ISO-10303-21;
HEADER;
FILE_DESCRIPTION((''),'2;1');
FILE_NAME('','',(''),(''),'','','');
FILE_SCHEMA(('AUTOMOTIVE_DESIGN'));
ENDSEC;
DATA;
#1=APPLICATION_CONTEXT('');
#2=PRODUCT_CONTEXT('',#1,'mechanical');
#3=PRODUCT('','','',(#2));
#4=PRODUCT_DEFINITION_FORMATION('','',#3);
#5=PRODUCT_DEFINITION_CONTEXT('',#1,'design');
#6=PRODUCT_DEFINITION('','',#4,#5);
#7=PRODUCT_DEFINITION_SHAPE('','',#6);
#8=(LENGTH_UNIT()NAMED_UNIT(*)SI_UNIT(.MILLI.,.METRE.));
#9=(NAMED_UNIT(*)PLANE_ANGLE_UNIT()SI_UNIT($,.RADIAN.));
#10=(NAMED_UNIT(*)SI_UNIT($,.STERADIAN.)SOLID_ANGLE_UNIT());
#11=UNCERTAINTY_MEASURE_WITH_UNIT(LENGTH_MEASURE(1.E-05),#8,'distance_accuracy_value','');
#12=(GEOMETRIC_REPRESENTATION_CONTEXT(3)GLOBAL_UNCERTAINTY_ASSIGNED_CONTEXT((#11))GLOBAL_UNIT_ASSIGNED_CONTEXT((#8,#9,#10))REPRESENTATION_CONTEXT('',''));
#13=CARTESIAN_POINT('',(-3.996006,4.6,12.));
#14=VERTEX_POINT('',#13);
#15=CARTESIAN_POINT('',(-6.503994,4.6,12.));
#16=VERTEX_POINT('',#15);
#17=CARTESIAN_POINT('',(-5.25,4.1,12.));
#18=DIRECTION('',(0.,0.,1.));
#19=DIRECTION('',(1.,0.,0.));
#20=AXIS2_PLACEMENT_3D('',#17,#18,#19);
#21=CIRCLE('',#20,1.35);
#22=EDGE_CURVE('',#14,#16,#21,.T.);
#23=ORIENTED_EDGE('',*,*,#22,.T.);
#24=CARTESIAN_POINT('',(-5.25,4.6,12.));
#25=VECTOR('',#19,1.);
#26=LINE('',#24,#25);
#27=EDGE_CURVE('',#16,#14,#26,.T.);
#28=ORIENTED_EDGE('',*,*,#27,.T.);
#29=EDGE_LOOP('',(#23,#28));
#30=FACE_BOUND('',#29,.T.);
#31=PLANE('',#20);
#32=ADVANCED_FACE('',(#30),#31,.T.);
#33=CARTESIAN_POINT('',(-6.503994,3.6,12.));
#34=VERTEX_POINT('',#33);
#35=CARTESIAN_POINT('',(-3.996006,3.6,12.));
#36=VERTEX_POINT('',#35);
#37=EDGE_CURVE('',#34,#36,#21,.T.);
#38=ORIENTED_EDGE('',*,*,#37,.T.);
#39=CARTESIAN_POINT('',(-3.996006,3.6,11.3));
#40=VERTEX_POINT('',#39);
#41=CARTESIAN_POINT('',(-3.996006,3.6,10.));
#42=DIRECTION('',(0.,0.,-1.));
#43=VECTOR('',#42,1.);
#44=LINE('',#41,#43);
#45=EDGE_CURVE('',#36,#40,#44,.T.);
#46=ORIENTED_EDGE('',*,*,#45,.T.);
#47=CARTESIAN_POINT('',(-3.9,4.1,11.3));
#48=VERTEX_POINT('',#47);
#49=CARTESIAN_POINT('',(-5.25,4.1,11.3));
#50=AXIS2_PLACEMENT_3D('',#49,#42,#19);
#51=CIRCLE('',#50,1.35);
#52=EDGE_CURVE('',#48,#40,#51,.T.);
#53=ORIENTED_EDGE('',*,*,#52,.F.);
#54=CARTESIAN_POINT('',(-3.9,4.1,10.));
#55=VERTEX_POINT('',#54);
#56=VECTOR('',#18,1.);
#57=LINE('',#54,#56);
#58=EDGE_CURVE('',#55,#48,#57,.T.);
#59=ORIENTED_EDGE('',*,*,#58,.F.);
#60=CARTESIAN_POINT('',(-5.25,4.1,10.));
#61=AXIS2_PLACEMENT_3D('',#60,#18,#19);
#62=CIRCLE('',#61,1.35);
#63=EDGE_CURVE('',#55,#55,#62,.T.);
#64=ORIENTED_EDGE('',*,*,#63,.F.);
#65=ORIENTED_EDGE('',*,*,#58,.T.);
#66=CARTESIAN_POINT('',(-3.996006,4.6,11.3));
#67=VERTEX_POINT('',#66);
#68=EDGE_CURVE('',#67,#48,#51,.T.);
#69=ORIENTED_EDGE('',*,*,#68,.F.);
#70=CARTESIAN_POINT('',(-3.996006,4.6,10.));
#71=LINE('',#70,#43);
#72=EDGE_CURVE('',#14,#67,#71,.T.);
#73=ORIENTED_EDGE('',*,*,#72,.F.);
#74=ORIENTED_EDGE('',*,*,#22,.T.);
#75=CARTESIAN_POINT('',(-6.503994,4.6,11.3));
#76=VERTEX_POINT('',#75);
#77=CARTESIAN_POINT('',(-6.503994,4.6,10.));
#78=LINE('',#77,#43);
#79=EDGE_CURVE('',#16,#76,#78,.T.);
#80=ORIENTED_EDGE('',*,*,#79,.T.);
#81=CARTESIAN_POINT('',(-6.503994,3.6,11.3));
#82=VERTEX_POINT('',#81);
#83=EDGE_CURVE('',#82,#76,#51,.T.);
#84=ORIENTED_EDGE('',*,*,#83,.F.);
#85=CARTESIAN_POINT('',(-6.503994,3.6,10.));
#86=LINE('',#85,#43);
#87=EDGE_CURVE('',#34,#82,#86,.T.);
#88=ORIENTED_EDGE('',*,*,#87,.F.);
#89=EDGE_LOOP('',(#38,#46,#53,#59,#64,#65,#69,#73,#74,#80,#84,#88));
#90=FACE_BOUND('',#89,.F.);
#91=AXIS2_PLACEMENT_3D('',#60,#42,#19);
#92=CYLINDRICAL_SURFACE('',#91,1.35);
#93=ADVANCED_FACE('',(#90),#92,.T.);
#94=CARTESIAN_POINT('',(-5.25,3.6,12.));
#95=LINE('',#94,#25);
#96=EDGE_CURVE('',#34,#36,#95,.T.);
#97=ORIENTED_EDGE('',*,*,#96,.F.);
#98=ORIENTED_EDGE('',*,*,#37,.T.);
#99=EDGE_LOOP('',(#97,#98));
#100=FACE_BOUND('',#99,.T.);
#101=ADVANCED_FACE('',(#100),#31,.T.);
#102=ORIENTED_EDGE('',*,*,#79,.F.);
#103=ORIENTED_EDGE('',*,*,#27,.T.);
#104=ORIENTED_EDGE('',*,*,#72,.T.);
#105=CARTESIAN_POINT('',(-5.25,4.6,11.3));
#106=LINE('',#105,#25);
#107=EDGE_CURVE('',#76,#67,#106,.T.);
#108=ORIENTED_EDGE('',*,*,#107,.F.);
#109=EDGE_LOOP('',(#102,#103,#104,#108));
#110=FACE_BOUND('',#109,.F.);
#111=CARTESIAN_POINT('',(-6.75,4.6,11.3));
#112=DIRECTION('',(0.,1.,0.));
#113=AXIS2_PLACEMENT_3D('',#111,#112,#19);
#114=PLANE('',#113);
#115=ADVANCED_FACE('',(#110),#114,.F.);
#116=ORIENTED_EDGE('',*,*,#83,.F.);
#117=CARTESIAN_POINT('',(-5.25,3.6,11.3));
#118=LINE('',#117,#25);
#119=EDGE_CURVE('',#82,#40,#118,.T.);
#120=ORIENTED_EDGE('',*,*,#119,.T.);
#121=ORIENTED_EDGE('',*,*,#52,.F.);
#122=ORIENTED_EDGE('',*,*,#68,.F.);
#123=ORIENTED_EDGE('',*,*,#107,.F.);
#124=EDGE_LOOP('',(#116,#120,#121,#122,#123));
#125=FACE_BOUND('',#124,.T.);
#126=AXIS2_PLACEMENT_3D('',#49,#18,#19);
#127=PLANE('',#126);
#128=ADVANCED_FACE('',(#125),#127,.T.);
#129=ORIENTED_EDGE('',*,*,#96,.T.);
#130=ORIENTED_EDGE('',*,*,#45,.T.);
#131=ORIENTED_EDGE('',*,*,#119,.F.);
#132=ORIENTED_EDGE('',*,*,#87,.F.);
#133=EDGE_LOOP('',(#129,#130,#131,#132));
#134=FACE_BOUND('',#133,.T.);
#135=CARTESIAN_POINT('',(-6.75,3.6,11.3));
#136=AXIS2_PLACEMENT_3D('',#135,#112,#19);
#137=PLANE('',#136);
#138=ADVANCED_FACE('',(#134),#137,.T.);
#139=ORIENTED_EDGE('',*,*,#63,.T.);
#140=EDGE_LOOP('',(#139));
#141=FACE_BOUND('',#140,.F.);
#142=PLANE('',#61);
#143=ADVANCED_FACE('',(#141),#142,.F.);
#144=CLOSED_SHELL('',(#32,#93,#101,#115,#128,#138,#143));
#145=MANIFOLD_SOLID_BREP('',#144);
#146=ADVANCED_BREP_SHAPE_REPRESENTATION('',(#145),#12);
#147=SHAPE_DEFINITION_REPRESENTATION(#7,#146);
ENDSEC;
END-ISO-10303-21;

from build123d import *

# Parameters (mm, degrees)
BOX008_W          = 3
BOX008_H          = 1
BOX008_DEPTH      = 0.7
CYLINDER004_R     = 1.35
CYLINDER004_DEPTH = 2


with BuildPart() as cube004:
    # Box008 → Box008 (new body)
    with BuildSketch(Plane(origin=(-1.5, -0.5, 1.3), x_dir=(1, 0, 0), z_dir=(0, 0, 1))):
        with Locations((1.5, 0.5)):
            Rectangle(BOX008_W, BOX008_H)
    extrude(amount=BOX008_DEPTH)


with BuildPart() as cut008:
    # Cylinder004 → Cylinder004 (new body)
    with BuildSketch(Plane.XY):
        Circle(CYLINDER004_R)
    extrude(amount=CYLINDER004_DEPTH)

    # Cut008: cut Cube004
    add(cube004.part, mode=Mode.SUBTRACT)


with BuildPart() as cut008_1:
    # Cut008 placement: moved
    add(cut008.part.moved(Location((-5.25, 4.1, 10))))


solid = cut008_1.part
